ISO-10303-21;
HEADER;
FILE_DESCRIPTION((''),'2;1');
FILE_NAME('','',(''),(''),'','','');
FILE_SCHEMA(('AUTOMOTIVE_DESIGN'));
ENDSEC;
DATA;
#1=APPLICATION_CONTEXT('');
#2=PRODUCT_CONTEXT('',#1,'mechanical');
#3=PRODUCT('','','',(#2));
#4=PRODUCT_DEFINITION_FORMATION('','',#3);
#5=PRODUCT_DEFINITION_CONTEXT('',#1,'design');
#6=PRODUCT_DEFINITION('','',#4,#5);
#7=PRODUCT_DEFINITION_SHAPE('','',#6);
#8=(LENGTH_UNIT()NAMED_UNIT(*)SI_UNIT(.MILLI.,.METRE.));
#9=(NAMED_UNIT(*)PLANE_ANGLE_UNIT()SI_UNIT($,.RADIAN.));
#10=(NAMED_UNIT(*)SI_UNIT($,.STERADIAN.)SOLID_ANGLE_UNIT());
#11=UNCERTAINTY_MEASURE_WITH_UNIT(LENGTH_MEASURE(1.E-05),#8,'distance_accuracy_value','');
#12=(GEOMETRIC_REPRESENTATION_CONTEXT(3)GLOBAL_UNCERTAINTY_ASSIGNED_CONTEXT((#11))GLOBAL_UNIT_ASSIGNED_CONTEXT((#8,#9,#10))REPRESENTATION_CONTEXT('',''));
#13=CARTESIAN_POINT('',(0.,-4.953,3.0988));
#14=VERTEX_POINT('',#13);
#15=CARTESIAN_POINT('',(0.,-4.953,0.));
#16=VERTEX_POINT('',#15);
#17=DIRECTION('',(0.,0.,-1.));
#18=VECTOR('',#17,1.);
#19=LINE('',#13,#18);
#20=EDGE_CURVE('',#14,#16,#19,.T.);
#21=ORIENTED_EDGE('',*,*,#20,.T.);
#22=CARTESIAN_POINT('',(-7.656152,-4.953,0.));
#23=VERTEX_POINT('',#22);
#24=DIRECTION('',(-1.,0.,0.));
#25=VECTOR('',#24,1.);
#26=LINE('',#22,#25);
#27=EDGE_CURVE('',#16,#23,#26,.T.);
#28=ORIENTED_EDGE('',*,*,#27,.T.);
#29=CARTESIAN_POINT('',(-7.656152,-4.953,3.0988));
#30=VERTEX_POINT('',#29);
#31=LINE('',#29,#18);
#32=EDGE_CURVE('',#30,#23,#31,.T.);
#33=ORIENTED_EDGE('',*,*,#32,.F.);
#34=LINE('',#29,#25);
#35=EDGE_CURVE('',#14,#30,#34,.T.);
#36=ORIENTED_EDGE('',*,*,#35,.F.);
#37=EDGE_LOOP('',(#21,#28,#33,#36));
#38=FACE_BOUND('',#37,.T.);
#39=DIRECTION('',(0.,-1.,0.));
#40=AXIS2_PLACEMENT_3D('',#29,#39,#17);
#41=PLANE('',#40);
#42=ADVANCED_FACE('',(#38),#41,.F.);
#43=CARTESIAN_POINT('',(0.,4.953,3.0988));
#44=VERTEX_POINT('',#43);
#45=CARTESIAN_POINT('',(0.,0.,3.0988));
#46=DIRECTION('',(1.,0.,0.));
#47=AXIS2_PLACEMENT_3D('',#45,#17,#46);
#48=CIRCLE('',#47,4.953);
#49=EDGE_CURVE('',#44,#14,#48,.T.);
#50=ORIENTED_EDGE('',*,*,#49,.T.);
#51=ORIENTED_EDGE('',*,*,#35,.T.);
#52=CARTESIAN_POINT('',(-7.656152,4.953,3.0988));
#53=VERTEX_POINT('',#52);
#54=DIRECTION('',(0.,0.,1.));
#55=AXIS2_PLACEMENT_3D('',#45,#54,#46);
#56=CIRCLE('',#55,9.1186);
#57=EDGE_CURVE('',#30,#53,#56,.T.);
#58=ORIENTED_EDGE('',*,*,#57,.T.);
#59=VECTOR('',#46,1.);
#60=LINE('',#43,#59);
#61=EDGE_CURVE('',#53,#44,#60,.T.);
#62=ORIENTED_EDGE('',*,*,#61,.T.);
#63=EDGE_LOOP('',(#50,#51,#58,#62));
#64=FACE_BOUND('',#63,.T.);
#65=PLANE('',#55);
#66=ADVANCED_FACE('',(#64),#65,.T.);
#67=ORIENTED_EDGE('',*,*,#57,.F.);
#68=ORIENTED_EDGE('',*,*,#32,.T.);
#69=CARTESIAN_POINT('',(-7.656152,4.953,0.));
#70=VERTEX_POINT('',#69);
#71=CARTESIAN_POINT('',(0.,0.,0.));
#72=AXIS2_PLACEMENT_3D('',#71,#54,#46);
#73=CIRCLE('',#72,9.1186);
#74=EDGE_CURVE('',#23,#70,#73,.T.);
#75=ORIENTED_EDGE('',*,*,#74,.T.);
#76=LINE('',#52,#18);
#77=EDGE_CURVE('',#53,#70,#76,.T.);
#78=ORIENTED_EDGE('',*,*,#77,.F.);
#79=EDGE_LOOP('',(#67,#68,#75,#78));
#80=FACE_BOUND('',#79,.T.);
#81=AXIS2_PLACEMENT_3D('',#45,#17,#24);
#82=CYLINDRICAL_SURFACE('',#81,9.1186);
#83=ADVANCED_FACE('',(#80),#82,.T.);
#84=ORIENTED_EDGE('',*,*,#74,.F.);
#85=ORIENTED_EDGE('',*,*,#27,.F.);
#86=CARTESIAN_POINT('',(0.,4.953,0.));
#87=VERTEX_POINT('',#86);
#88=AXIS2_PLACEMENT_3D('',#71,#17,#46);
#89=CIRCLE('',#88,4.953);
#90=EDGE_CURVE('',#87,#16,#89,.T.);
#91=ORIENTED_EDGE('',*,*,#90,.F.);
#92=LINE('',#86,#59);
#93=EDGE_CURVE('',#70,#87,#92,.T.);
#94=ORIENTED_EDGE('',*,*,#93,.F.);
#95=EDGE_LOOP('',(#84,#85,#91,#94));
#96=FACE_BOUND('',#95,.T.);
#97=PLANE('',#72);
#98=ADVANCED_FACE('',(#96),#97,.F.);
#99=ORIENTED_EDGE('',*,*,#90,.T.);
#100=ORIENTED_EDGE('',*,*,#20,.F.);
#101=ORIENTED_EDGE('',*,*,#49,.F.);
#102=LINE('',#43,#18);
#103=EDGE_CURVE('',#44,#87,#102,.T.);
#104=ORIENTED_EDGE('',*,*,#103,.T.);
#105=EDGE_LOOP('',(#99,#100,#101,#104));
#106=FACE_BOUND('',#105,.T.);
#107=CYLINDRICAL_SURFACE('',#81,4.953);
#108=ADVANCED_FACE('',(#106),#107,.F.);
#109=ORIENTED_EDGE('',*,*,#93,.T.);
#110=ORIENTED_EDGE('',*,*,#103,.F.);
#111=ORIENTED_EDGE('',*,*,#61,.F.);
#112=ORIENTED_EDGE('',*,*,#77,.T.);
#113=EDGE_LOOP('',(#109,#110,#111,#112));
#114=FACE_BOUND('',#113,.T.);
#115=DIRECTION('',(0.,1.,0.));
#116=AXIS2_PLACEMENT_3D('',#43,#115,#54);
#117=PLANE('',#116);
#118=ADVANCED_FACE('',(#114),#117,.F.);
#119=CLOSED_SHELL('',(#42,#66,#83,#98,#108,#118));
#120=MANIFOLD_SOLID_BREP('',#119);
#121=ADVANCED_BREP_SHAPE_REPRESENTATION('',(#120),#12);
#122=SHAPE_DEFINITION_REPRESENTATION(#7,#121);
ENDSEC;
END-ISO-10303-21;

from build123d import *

# Parameters (mm, degrees)
BOSS_EXTRUDE1_DEPTH = 3.0988


with BuildPart() as part:
    # Sketch1 → Boss-Extrude1 (new body)
    with BuildSketch(Plane.XY):
        with BuildLine():
            Line((0, 4.953), (-7.656151576, 4.953))
            ThreePointArc((-7.656151576, 4.953), (9.1186, 0), (-7.656151576, -4.953))
            Line((-7.656151576, -4.953), (0, -4.953))
            ThreePointArc((0, -4.953), (4.953, 0), (0, 4.953))
        make_face()
    extrude(amount=BOSS_EXTRUDE1_DEPTH)


solid = part.part
